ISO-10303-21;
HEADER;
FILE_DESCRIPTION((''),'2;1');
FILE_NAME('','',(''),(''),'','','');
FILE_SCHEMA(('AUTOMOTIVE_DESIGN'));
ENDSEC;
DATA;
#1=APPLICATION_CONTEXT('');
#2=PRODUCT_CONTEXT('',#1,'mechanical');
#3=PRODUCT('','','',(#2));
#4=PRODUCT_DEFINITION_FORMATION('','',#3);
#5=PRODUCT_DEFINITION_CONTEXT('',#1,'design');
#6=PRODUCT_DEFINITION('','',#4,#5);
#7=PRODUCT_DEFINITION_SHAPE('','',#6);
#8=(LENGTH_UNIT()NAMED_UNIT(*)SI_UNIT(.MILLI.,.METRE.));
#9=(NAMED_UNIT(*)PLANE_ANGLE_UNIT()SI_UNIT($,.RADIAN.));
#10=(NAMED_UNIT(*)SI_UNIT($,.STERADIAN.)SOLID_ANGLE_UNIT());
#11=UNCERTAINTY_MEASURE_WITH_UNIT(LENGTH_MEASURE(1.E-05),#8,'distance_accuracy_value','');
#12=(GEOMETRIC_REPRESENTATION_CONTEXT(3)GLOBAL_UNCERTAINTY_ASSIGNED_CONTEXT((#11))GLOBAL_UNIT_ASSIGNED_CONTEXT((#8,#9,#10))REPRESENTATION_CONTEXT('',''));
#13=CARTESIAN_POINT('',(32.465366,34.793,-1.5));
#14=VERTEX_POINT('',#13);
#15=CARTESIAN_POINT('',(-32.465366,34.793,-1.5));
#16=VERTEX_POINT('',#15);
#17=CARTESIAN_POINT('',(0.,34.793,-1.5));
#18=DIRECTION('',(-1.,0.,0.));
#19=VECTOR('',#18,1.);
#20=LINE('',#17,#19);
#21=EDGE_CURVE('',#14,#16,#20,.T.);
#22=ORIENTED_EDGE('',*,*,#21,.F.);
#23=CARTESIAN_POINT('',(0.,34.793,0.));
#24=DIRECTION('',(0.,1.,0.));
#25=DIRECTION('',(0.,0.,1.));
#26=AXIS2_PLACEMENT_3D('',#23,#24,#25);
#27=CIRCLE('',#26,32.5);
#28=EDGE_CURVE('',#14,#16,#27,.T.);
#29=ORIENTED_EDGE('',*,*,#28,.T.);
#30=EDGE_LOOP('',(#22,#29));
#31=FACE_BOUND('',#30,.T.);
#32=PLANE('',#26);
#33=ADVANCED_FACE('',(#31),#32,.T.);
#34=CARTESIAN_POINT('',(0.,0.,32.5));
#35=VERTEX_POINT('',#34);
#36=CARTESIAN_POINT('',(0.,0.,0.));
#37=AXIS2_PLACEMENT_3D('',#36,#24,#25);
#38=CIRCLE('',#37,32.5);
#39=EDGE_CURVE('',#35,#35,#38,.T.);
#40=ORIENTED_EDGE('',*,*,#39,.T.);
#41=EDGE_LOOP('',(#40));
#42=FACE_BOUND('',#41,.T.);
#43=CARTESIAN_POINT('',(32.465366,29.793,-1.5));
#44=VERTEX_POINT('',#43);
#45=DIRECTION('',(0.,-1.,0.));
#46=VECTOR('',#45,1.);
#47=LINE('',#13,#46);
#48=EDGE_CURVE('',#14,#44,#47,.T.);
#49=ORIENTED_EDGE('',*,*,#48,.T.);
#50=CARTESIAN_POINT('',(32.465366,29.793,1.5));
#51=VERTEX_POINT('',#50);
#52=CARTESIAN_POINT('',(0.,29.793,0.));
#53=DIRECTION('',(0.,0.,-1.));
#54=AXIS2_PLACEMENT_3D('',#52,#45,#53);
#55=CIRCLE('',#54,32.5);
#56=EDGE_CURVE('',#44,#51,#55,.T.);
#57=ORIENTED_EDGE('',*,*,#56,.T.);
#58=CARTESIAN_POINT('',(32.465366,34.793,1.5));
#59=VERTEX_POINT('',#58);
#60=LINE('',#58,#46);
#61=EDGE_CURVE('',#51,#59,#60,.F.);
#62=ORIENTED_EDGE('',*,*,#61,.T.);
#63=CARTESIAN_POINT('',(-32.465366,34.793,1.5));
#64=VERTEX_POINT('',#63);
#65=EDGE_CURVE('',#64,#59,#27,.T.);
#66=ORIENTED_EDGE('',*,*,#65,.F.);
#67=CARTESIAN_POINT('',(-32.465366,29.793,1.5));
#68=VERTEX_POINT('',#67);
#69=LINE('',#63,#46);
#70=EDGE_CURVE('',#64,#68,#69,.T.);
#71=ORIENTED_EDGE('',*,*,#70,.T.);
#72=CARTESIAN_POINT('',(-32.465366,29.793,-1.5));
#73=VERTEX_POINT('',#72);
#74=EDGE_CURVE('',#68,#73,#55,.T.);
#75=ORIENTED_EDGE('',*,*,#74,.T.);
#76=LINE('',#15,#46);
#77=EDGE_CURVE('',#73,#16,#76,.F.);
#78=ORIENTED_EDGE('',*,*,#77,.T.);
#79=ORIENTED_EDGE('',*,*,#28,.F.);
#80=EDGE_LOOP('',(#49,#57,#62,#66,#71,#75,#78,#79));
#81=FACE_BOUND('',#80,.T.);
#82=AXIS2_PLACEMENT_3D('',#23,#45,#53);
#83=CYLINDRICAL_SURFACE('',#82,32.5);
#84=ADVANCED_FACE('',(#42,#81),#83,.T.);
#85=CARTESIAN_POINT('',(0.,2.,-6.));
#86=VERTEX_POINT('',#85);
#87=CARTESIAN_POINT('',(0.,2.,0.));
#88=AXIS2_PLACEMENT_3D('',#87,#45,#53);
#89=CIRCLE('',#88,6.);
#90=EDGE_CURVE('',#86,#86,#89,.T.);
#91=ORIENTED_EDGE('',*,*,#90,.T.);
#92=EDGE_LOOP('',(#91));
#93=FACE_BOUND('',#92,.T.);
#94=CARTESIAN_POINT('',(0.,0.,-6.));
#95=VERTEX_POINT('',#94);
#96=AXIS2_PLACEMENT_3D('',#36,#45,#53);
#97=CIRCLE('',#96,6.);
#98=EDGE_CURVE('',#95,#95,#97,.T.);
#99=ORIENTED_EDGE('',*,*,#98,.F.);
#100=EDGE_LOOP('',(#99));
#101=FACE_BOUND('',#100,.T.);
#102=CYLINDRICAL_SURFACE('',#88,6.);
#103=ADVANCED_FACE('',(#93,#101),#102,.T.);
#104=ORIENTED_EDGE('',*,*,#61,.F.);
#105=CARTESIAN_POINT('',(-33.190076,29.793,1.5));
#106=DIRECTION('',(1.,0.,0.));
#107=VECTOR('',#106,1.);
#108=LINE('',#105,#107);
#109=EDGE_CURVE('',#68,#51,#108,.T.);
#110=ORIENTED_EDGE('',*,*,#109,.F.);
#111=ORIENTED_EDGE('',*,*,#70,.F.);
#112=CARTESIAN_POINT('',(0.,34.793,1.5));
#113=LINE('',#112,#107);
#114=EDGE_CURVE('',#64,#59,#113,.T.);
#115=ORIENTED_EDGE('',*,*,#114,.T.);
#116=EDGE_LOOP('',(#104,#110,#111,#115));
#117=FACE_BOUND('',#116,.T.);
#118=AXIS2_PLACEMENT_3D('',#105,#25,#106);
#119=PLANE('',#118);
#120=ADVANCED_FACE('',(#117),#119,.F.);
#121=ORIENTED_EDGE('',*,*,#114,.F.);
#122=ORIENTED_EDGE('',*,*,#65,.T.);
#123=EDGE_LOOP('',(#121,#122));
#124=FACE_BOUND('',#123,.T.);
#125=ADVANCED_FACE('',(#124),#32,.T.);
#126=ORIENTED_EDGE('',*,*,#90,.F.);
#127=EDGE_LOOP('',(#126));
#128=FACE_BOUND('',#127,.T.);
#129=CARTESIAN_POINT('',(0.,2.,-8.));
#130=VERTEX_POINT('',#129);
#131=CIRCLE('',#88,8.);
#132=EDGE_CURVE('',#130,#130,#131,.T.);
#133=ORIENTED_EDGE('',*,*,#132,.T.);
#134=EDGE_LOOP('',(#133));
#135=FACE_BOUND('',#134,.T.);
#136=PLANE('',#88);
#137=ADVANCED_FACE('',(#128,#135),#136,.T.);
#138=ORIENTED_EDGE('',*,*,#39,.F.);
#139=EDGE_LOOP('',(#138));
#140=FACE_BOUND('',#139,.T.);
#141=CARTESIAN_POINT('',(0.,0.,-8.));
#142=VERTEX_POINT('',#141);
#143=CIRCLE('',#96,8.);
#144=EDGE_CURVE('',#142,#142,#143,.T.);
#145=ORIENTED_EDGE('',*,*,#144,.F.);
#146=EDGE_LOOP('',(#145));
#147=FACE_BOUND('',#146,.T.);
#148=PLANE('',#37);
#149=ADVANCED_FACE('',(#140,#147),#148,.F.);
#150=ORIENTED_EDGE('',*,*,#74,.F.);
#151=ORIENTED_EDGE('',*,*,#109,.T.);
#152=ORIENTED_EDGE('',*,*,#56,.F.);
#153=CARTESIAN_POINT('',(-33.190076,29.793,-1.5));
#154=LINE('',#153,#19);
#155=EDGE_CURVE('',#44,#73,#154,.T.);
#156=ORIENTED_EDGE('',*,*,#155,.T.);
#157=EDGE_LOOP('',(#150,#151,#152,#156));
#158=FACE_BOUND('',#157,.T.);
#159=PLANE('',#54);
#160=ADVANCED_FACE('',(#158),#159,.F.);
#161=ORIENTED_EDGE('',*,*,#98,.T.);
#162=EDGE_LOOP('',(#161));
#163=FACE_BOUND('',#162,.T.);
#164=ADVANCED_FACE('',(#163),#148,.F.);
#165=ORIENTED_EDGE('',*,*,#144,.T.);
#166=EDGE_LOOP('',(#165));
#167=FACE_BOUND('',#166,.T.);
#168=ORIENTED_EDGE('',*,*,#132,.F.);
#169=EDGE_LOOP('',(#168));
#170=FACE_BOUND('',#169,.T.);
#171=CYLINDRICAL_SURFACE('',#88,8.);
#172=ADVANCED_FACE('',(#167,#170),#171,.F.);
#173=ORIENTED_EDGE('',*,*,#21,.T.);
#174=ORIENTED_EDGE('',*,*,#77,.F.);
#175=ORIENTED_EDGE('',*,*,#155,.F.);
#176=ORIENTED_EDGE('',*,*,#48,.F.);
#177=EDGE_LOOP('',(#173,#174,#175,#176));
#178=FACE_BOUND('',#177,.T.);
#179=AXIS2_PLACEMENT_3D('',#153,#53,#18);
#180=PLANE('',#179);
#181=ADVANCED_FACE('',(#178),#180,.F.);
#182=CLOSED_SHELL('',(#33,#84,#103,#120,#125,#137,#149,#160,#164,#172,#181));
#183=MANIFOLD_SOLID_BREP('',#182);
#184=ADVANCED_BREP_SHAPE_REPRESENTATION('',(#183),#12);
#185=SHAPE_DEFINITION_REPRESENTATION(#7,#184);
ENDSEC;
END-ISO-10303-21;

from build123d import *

# Parameters (mm, degrees)
SKETCH1_R           = 32.5
BOSS_EXTRUDE1_DEPTH = 34.793
SKETCH4_W           = 66.380152204
SKETCH4_H           = 3
CUT_EXTRUDE1_DEPTH  = 5
SKETCH5_R           = 8
SKETCH5_R_2         = 6
CUT_EXTRUDE2_DEPTH  = 2


with BuildPart() as part:
    # Sketch1 → Boss-Extrude1 (new body)
    with BuildSketch(Plane(origin=(0, 0, 0), x_dir=(1, 0, 0), z_dir=(0, 1, 0))):
        Circle(SKETCH1_R)
    extrude(amount=BOSS_EXTRUDE1_DEPTH)

    # Sketch4 → Cut-Extrude1 (cut)
    with BuildSketch(Plane(origin=(0, 34.793, 0), x_dir=(1, 0, 0), z_dir=(0, 1, 0))):
        Rectangle(SKETCH4_W, SKETCH4_H)
    extrude(amount=-CUT_EXTRUDE1_DEPTH, mode=Mode.SUBTRACT)

    # Sketch5 → Cut-Extrude2 (cut)
    with BuildSketch(Plane.XZ):
        Circle(SKETCH5_R)
        Circle(SKETCH5_R_2, mode=Mode.SUBTRACT)
    extrude(amount=-CUT_EXTRUDE2_DEPTH, mode=Mode.SUBTRACT)


solid = part.part
